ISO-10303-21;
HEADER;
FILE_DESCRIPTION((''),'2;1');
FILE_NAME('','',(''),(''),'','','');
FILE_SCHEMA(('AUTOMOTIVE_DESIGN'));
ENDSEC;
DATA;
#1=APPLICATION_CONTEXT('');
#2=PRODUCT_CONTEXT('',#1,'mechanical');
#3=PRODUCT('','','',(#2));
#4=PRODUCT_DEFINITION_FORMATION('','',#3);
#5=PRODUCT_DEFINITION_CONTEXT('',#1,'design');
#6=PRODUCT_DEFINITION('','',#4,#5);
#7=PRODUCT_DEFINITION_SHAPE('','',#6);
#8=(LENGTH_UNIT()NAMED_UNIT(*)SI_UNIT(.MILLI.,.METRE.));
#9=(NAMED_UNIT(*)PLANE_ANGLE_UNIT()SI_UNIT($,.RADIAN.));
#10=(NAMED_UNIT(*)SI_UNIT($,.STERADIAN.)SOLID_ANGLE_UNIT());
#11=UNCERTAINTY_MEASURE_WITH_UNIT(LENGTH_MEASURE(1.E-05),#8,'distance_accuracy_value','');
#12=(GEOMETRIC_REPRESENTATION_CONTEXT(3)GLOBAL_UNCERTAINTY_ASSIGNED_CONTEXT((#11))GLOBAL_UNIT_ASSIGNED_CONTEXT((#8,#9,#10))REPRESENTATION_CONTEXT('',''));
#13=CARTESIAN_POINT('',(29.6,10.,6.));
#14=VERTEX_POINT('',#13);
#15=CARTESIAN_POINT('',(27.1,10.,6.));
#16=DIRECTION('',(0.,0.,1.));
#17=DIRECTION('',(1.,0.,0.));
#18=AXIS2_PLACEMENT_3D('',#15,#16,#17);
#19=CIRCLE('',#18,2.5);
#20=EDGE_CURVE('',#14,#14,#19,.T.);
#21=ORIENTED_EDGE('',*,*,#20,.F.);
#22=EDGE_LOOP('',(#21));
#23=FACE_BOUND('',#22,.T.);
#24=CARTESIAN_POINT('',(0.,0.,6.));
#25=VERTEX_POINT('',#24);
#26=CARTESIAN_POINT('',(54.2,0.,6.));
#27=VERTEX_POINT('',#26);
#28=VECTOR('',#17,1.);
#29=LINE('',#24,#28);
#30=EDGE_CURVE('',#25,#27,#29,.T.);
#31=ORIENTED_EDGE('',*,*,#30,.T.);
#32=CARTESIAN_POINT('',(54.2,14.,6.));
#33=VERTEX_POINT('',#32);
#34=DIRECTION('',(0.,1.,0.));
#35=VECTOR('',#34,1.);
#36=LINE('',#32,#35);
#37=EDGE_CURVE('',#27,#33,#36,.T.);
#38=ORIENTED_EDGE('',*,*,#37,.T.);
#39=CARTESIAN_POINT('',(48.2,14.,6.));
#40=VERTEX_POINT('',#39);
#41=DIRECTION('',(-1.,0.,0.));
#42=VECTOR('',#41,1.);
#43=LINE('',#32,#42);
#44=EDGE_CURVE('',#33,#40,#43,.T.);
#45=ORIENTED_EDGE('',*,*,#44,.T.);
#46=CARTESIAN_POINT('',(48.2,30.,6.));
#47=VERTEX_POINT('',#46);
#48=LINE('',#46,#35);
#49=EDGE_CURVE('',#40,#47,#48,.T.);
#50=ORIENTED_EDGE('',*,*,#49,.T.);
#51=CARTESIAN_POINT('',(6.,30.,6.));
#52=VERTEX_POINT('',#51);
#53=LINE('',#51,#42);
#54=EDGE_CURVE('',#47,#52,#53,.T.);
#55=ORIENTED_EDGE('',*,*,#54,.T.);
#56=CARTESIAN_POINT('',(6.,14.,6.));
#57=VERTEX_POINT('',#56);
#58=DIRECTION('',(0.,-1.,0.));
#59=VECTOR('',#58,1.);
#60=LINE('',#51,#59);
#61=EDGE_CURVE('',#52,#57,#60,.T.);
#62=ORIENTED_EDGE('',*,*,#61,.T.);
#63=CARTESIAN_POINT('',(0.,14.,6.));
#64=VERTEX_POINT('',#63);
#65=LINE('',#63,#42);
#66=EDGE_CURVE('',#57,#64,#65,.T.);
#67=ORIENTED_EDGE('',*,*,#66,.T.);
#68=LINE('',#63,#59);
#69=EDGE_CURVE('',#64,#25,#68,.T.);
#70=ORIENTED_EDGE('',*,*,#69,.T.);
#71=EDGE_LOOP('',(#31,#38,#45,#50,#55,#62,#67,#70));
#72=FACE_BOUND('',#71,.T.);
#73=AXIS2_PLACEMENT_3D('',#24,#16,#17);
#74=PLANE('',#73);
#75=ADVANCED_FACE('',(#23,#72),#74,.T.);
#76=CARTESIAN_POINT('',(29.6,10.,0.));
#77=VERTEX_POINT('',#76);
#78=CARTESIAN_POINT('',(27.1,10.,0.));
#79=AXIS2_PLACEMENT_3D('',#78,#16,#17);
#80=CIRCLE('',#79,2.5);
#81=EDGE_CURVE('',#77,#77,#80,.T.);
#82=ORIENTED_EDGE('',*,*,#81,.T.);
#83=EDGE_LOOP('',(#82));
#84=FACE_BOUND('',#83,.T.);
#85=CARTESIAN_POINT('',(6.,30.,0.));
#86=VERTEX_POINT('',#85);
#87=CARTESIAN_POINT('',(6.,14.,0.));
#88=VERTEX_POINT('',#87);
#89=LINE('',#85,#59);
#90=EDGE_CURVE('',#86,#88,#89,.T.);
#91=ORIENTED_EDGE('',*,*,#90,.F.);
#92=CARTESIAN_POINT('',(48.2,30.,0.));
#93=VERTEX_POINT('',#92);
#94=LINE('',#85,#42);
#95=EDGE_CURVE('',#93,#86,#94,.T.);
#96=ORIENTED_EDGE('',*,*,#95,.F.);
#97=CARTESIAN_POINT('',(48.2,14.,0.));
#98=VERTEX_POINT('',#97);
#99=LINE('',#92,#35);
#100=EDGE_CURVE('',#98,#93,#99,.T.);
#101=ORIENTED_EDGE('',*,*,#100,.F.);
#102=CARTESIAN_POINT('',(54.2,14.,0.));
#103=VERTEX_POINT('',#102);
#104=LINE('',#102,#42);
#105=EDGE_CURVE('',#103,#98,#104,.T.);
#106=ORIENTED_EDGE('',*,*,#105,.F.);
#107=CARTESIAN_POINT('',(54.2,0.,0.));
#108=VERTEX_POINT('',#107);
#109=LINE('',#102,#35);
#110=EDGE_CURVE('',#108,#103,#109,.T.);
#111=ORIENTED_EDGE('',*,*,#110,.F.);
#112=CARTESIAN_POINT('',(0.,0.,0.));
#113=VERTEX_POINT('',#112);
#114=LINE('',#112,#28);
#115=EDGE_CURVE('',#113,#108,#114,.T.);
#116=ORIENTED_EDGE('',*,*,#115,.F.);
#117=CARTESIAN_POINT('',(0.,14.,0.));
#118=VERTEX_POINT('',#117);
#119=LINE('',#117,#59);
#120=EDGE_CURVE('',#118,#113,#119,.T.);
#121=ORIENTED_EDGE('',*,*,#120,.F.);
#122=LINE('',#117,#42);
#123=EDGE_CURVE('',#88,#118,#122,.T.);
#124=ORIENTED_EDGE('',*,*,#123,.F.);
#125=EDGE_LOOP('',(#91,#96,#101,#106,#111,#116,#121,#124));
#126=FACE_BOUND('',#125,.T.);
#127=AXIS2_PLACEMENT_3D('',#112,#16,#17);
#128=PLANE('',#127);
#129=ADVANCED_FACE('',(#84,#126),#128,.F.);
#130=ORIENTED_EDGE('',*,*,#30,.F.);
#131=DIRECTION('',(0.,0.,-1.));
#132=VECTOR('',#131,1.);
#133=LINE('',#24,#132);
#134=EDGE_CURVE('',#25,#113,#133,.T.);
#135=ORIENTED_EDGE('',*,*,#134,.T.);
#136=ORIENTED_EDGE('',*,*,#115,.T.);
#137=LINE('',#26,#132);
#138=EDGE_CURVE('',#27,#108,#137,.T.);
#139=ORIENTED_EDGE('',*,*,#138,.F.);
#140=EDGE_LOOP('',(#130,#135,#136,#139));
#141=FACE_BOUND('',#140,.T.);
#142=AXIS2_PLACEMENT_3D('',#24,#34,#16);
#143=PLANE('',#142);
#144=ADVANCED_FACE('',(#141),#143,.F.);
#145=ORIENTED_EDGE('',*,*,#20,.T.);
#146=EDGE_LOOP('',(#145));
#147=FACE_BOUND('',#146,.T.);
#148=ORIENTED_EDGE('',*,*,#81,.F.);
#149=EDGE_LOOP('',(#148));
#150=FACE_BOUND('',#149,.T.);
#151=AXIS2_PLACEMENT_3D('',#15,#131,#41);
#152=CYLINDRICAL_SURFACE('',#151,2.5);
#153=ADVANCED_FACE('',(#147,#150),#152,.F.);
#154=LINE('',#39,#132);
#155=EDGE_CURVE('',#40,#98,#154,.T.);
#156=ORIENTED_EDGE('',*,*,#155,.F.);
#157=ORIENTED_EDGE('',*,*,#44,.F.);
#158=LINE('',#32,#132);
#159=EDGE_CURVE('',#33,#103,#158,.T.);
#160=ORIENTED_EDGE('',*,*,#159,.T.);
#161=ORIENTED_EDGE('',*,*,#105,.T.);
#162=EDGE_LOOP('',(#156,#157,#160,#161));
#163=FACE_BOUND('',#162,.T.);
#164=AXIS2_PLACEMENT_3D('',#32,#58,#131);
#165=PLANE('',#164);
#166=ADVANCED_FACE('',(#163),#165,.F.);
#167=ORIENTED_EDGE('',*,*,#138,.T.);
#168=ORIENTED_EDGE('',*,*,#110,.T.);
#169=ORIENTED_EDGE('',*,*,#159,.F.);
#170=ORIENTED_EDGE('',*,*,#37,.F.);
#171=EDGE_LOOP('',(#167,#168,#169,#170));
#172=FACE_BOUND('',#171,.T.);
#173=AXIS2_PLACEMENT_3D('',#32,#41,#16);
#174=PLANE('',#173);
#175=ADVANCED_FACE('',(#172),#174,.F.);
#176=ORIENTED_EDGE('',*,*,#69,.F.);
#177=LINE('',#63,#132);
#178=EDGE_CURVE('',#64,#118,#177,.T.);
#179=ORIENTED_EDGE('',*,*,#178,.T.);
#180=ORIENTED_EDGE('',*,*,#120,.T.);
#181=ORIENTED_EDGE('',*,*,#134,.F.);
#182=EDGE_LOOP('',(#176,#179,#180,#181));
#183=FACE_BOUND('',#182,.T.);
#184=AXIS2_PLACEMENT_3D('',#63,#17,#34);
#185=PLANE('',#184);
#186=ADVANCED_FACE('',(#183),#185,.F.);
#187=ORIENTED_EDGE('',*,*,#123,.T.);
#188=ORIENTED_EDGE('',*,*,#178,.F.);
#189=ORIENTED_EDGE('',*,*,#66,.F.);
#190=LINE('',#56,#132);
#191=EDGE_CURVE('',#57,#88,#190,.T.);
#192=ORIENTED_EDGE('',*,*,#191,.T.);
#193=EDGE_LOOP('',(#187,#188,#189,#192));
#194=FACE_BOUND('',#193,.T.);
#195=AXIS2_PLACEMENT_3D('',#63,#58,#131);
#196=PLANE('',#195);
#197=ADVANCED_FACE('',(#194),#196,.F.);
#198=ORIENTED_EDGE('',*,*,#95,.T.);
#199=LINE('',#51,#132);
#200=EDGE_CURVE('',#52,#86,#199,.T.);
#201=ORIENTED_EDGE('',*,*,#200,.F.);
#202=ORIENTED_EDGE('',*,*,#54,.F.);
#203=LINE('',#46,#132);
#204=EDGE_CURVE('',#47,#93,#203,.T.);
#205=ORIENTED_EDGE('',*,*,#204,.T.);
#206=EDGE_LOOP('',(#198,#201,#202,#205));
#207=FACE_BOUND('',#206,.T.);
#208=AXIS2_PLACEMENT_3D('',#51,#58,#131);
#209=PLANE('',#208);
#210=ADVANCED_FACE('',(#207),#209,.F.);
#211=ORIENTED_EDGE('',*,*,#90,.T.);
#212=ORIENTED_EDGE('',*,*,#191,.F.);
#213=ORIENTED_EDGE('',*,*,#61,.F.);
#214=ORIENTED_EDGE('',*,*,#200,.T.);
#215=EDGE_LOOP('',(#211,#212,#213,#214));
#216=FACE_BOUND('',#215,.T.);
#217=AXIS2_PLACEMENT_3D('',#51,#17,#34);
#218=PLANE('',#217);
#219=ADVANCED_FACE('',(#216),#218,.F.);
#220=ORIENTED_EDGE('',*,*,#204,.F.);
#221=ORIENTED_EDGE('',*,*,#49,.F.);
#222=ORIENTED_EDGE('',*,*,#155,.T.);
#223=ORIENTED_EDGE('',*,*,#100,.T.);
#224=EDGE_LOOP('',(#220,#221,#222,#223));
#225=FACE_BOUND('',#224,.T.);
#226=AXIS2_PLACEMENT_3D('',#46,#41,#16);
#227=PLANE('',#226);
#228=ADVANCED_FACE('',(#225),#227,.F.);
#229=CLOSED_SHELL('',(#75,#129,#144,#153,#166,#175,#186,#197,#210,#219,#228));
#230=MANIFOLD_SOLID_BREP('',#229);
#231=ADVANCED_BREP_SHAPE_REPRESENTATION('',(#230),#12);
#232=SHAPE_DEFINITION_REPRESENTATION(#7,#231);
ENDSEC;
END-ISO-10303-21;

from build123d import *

# Parameters (mm, degrees)
SKETCH1_R           = 2.5
BOSS_EXTRUDE1_DEPTH = 6


with BuildPart() as part:
    # Sketch1 → Boss-Extrude1 (new body)
    with BuildSketch(Plane.XY):
        Polygon((6, 30), (48.2, 30), (48.2, 14), (54.2, 14), (54.2, 0), (0, 0), (0, 14), (6, 14), align=None)
        with Locations((27.1, 10)):
            Circle(SKETCH1_R, mode=Mode.SUBTRACT)
    extrude(amount=BOSS_EXTRUDE1_DEPTH)


solid = part.part
